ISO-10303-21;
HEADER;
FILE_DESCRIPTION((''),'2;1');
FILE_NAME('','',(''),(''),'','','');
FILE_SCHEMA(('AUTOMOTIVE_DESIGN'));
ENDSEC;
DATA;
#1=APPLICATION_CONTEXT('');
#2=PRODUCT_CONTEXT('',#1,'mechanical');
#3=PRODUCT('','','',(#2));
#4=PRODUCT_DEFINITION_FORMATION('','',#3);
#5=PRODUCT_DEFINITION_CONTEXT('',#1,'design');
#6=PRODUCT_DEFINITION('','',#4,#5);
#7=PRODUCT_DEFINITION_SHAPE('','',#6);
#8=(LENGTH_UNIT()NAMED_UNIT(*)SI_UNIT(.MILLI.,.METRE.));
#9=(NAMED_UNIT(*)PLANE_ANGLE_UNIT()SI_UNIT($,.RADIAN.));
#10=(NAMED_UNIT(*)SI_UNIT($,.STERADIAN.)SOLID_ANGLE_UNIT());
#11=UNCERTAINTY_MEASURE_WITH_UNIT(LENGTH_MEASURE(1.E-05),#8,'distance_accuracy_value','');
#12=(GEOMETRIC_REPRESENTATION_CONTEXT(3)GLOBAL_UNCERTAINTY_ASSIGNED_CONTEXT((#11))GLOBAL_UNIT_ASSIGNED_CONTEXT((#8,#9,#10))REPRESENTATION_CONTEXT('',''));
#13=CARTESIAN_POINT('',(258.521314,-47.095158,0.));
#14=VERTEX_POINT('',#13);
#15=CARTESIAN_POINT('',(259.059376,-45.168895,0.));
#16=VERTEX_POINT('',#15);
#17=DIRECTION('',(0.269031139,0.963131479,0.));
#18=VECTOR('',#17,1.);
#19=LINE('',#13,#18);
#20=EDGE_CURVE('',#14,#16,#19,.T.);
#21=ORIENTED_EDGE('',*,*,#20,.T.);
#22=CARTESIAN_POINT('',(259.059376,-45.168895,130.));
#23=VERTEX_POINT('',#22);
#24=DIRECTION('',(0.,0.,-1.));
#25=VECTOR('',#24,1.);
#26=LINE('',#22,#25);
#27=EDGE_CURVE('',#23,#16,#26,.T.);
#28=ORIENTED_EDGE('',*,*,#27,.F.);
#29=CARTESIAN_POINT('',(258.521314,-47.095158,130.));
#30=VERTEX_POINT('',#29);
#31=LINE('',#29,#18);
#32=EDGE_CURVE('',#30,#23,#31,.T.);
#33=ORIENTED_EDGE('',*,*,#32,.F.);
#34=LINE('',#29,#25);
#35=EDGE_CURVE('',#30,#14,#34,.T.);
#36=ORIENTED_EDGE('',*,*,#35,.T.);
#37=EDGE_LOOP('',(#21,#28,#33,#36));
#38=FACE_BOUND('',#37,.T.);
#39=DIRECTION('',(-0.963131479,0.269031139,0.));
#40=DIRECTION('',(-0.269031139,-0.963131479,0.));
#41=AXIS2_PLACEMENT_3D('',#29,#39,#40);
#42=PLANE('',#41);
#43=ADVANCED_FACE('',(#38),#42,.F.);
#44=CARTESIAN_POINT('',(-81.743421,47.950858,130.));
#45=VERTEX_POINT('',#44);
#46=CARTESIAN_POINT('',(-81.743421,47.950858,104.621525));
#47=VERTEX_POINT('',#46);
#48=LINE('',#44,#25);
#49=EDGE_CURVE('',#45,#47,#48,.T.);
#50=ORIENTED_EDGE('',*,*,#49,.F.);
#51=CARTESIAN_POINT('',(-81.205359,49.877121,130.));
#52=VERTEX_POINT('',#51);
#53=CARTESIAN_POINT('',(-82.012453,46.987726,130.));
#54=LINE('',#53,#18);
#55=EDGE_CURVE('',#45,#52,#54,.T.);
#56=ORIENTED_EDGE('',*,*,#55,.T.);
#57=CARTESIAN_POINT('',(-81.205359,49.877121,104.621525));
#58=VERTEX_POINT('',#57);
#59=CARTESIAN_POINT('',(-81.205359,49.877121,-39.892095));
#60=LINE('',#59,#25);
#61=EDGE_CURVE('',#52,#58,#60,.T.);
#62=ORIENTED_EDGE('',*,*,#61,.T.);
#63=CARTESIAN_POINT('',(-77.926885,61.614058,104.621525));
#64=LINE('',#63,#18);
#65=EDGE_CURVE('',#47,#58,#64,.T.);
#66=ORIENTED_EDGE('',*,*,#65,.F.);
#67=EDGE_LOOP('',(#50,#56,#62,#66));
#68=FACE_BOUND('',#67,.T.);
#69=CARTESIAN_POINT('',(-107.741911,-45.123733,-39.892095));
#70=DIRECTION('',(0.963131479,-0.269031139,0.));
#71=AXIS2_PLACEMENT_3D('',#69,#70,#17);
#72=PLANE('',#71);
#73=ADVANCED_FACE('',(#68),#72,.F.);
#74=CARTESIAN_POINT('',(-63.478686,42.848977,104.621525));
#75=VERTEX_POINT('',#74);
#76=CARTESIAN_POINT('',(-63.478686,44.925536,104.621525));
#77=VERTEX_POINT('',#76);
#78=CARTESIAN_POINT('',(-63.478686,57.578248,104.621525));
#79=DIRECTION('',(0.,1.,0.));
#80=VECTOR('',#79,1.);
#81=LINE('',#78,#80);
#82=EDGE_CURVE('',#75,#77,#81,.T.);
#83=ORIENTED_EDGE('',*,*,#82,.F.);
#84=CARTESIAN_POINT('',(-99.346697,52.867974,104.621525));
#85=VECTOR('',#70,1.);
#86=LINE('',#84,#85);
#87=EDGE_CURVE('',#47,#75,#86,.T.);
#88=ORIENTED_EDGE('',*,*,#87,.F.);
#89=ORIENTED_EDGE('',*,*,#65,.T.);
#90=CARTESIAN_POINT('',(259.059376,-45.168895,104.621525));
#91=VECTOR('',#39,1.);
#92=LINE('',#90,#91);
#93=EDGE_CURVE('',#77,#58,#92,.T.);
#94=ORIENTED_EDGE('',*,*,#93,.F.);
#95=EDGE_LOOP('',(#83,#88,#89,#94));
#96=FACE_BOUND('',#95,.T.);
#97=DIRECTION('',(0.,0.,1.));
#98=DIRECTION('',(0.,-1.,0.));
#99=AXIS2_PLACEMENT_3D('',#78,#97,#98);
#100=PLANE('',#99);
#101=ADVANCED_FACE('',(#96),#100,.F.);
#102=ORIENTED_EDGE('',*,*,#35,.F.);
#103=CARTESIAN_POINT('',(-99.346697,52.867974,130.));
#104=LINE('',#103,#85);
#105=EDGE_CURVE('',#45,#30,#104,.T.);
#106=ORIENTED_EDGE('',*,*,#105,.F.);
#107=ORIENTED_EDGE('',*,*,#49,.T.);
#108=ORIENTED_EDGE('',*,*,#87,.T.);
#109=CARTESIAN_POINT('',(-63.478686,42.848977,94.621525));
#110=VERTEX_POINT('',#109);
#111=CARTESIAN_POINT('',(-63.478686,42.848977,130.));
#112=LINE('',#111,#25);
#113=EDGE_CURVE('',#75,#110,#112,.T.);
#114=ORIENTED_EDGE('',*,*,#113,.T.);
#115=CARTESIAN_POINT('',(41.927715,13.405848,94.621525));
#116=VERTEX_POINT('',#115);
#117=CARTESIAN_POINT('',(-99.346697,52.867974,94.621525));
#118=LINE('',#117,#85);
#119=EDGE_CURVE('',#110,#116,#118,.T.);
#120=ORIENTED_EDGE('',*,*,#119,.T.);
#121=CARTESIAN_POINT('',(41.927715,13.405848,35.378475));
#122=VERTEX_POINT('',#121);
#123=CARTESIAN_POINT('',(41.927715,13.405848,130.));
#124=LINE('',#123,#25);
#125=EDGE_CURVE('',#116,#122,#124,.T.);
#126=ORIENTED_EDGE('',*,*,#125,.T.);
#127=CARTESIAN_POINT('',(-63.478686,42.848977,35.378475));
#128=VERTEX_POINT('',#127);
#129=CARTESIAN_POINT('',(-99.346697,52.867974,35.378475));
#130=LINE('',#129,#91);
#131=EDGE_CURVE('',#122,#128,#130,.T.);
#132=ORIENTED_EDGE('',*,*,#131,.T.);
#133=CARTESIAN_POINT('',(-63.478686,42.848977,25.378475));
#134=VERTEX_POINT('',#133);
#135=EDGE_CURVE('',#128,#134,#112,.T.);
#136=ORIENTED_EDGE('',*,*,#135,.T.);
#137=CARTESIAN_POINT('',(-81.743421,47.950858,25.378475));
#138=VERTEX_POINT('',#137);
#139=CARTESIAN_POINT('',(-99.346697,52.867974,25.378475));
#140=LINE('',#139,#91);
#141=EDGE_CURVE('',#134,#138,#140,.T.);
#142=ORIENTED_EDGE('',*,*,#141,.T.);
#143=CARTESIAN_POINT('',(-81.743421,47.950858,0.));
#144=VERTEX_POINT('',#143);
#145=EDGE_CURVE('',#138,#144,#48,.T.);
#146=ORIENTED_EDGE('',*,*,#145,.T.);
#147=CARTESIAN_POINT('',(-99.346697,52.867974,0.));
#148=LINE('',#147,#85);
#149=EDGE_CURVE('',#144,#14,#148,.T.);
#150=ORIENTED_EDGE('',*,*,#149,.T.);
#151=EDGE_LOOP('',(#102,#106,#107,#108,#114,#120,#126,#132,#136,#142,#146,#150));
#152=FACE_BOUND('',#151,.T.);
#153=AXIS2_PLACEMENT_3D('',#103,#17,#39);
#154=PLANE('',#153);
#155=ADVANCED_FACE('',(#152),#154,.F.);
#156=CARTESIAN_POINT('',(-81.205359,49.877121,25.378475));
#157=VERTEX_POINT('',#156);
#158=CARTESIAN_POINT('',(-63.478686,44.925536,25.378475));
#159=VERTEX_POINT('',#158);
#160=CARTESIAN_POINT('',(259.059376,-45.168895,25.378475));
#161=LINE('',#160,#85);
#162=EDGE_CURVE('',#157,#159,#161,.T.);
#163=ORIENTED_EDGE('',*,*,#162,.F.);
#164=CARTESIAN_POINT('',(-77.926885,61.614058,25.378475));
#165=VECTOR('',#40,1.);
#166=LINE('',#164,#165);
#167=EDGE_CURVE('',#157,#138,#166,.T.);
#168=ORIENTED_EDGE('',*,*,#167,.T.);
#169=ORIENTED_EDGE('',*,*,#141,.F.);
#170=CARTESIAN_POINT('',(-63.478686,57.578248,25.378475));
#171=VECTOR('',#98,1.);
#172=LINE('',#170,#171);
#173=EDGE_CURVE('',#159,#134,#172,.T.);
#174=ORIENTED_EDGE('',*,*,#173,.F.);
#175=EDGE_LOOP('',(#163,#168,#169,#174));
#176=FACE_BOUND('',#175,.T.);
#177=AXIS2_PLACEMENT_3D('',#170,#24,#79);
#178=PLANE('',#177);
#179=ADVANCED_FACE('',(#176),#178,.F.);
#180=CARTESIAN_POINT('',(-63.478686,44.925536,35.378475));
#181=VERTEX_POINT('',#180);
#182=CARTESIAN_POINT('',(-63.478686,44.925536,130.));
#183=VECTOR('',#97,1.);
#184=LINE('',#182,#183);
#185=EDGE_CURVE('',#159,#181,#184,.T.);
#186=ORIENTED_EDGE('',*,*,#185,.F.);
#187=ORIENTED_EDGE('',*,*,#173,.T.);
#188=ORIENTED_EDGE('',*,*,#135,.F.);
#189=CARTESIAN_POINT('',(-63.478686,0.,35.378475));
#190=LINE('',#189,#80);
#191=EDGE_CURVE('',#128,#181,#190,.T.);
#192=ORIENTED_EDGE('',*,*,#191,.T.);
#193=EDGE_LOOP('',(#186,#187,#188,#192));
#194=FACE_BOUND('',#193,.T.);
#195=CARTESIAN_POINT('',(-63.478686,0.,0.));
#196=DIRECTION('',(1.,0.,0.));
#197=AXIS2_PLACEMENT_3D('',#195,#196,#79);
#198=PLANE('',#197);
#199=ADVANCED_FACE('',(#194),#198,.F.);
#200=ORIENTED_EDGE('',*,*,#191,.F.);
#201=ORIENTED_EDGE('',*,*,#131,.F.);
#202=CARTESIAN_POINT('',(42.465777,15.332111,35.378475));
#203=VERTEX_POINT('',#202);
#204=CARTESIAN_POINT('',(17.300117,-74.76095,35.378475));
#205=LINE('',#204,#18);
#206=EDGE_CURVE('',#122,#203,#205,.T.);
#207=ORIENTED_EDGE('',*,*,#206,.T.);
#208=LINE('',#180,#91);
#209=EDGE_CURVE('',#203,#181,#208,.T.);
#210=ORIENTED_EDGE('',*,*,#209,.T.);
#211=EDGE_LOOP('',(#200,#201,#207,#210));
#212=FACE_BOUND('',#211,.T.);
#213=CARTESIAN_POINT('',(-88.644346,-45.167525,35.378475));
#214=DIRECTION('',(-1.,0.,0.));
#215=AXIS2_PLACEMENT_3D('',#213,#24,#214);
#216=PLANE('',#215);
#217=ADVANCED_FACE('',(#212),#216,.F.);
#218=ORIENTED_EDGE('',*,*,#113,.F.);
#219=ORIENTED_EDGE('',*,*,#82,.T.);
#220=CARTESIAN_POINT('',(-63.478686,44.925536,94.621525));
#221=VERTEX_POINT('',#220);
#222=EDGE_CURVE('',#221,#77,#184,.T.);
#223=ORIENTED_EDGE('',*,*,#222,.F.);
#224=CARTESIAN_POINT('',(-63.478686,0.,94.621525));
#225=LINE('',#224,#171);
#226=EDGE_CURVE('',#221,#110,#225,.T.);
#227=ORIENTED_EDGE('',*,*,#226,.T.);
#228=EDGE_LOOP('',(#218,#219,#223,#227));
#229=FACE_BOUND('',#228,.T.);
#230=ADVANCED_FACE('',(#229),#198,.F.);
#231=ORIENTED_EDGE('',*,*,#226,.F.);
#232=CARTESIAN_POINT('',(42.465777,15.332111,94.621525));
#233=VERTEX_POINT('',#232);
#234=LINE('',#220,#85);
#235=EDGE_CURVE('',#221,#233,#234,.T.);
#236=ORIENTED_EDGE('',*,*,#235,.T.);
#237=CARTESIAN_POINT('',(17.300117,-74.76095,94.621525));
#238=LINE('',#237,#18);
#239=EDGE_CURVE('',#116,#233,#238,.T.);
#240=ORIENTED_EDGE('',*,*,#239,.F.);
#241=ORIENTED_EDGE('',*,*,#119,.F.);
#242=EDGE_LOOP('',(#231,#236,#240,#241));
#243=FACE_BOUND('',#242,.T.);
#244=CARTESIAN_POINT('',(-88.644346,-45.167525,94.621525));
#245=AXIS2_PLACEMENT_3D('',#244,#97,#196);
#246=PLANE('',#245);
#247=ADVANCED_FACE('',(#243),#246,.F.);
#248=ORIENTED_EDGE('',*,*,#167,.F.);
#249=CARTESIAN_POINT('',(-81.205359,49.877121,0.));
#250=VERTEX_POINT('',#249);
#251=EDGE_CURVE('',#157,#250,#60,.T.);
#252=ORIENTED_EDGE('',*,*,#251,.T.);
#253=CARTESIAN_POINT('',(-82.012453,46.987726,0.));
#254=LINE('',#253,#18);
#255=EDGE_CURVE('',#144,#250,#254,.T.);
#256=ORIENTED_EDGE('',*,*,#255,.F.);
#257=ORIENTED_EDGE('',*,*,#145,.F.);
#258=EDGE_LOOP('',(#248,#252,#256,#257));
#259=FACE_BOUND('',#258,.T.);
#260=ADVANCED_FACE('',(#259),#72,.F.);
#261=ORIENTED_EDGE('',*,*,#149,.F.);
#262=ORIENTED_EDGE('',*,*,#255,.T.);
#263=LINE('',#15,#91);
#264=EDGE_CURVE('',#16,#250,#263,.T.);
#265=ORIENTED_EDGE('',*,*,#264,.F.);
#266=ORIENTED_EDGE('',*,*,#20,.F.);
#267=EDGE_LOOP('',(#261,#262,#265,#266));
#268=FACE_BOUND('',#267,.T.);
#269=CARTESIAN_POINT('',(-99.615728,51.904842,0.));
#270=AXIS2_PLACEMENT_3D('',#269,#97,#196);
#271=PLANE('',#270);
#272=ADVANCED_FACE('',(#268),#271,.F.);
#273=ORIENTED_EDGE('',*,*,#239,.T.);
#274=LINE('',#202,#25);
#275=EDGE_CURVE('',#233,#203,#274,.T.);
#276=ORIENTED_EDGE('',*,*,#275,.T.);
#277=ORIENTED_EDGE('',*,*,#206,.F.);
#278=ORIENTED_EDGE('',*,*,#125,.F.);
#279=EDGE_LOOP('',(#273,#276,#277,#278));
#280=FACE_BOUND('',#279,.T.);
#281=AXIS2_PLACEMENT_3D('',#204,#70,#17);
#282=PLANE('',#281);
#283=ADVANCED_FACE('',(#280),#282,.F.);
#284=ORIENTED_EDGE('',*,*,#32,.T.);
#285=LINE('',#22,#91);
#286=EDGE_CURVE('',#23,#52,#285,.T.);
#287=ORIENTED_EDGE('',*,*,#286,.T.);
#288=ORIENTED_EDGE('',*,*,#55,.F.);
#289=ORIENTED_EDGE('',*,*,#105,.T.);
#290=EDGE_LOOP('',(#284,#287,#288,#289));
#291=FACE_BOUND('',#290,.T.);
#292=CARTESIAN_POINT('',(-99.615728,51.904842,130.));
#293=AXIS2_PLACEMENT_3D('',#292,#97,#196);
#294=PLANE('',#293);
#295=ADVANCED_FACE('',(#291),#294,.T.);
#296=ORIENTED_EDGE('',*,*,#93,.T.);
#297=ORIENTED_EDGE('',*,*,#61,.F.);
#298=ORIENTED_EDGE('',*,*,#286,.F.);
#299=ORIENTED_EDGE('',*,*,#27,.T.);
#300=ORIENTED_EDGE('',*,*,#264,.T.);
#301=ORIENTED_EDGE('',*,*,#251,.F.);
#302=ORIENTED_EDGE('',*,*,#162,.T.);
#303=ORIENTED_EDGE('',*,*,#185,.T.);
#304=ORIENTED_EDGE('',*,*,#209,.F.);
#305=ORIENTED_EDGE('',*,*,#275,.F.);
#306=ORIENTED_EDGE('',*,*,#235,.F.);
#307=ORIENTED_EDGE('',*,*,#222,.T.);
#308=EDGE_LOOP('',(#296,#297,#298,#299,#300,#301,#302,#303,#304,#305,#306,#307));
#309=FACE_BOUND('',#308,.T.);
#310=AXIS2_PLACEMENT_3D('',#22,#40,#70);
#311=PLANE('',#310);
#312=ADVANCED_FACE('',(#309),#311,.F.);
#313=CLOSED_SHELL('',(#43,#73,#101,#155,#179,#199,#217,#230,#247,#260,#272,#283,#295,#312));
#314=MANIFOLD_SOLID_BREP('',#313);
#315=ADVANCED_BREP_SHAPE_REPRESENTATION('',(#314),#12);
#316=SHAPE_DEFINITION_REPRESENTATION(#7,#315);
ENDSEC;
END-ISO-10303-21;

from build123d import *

# Parameters (mm, degrees)
BOSS_EXTRU_1_DEPTH      = 130
ESQUISSE2_W             = 2
ESQUISSE2_H             = 130
BOSS_EXTRU_2_DEPTH      = 96
ESQUISSE3_W             = 79.24305049
ESQUISSE3_H             = 150.673405859
ENL_V_MAT_EXTRU_1_DEPTH = 200
SKETCH1_W               = 504.296840386
SKETCH1_H               = 634.364351256
CUT_EXTRUDE1_DEPTH      = 345.11586261
SKETCH2_W               = 74.041478535
SKETCH2_H               = 186.425865598
CUT_EXTRUDE3_DEPTH      = 293.644673853
SKETCH3_W               = 110
SKETCH3_H               = 59.24305049
CUT_EXTRUDE4_DEPTH      = 293.644673853


with BuildPart() as part:
    # Esquisse1 → Boss.-Extru.1 (new body)
    with BuildSketch(Plane.XY):
        with BuildLine():
            Line((-99.346696614, 52.867973953), (258.521314081, -47.095157526))
            Line((258.521314081, -47.095157526), (259.05937636, -45.168894568))
            Line((259.05937636, -45.168894568), (-98.808634335, 54.794236911))
            ThreePointArc((-98.808634335, 54.794236911), (-99.208409273, 54.877062462), (-99.615727753, 54.904842474))
            Line((-99.615727753, 54.904842474), (-260.478685919, 54.904842474))
            ThreePointArc((-260.478685919, 54.904842474), (-262.600006262, 54.026162817), (-263.478685919, 51.904842474))
            Line((-263.478685919, 51.904842474), (-263.478685919, -47.095157526))
            Line((-263.478685919, -47.095157526), (-261.478685919, -47.095157526))
            Line((-261.478685919, -47.095157526), (-261.478685919, 51.904842474))
            ThreePointArc((-261.478685919, 51.904842474), (-261.1857927, 52.611949255), (-260.478685919, 52.904842474))
            Line((-260.478685919, 52.904842474), (-99.615727753, 52.904842474))
            ThreePointArc((-99.615727753, 52.904842474), (-99.479954927, 52.89558247), (-99.346696614, 52.867973953))
        make_face()
    extrude(amount=BOSS_EXTRU_1_DEPTH)

    # Esquisse2 → Boss.-Extru.2 (add)
    with BuildSketch(Plane.XZ.offset(47.095157526)):
        with Locations((-262.478685919, 65)):
            Rectangle(ESQUISSE2_W, ESQUISSE2_H)
    extrude(amount=BOSS_EXTRU_2_DEPTH)

    # Esquisse3 → Enlèv. mat.-Extru.1 (cut)
    with BuildSketch(Plane.ZY.offset(263.478685919)):
        with Locations((65, -17.758454597)):
            Rectangle(ESQUISSE3_W, ESQUISSE3_H)
    extrude(amount=-ENL_V_MAT_EXTRU_1_DEPTH, mode=Mode.SUBTRACT)

    # Sketch1 → Cut-Extrude1 (cut, through all)
    with BuildSketch(Plane(origin=(7.046316972, 25.225814758, 0), x_dir=(0.9631314790964218, -0.2690311394124084, 0), z_dir=(0.2690311394124084, 0.9631314790964218, 0))):
        with Locations((-363.353604044, 147.785884009)):
            Rectangle(SKETCH1_W, SKETCH1_H)
    extrude(amount=-CUT_EXTRUDE1_DEPTH, mode=Mode.SUBTRACT)

    # Sketch2 → Cut-Extrude3 (cut, through all)
    with BuildSketch(Plane(origin=(7.046316972, 25.225814758, 0), x_dir=(0.9631314790964218, -0.2690311394124084, 0), z_dir=(0.2690311394124084, 0.9631314790964218, 0))):
        with Locations((-128.650675605, -53.320838207)):
            Rectangle(SKETCH2_W, SKETCH2_H)
    extrude(amount=-CUT_EXTRUDE3_DEPTH, mode=Mode.SUBTRACT)

    # Sketch3 → Cut-Extrude4 (cut, through all)
    with BuildSketch(Plane(origin=(7.046316972, 25.225814758, 0), x_dir=(0.9631314790964218, -0.2690311394124084, 0), z_dir=(0.2690311394124084, 0.9631314790964218, 0))):
        with Locations((-18.224688862, -65)):
            Rectangle(SKETCH3_W, SKETCH3_H)
    extrude(amount=-CUT_EXTRUDE4_DEPTH, mode=Mode.SUBTRACT)


solid = part.part
